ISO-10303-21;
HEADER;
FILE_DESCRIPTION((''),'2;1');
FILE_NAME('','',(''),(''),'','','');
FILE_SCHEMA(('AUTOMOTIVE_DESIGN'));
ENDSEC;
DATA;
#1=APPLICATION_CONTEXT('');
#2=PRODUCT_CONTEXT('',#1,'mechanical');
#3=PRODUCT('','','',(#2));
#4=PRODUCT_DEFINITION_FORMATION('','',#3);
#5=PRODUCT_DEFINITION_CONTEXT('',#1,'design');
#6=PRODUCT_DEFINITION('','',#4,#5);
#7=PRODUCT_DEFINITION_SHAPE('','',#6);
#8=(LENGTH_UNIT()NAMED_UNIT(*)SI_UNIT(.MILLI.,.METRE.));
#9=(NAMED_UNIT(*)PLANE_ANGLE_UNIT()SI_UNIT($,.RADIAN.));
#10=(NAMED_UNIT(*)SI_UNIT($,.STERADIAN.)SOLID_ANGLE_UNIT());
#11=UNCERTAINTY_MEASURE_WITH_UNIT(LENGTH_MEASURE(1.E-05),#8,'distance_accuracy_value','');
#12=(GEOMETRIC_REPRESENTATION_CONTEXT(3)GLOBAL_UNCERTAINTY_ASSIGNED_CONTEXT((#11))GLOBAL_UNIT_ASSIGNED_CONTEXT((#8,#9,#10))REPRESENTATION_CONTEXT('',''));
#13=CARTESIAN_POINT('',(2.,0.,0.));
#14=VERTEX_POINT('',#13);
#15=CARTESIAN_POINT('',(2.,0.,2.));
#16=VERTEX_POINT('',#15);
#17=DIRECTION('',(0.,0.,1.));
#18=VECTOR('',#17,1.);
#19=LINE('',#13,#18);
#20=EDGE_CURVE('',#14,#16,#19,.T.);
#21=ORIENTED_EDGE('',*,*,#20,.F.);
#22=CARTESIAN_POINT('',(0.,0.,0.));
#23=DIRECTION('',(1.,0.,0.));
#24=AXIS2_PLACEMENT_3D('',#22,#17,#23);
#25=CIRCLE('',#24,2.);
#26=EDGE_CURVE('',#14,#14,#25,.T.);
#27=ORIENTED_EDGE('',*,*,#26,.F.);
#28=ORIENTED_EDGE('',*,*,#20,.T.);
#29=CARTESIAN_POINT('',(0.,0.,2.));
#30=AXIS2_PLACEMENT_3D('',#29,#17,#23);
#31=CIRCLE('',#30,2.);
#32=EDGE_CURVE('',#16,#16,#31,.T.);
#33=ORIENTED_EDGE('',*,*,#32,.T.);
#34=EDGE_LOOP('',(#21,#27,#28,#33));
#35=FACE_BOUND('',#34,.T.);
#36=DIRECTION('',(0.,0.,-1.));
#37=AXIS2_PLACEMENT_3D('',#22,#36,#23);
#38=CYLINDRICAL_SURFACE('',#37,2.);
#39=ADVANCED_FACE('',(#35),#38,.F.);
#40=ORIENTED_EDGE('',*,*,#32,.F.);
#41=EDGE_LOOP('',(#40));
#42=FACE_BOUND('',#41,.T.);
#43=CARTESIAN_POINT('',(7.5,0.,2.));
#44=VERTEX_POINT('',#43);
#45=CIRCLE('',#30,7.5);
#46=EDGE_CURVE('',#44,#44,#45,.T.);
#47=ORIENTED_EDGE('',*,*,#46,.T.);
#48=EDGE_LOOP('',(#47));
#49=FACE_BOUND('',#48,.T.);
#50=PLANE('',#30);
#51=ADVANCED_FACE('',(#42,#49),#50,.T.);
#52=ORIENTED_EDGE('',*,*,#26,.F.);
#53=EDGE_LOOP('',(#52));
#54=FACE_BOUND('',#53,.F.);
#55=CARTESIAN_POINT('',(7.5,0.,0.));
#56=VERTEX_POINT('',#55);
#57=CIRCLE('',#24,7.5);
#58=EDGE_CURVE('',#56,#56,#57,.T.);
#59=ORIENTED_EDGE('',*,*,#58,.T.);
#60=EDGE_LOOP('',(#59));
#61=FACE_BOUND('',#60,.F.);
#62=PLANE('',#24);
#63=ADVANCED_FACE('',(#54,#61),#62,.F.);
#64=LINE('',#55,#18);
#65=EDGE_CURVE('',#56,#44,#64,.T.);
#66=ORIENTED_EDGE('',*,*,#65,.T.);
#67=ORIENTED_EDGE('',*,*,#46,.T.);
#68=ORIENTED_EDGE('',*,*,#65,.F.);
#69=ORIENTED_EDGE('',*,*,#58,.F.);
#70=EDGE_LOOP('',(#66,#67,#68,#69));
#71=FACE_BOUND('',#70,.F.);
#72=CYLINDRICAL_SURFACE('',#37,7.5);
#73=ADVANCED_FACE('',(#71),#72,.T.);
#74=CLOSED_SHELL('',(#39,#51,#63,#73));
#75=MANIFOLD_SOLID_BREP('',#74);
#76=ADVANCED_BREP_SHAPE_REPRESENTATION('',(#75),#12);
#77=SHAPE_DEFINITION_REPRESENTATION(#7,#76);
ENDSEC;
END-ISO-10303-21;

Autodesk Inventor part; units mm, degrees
ref_plane "YZ Plane" through (0, 0, 0) normal (1, 0, 0) x (0, 1, 0)
ref_plane "XZ Plane" through (0, 0, 0) normal (0, 1, 0) x (-1, 0, 0)
ref_plane "XY Plane" through (0, 0, 0) normal (0, 0, 1) x (1, 0, 0)
sketch "Эскиз1" plane through (0, 0, 0) normal (0, 0, 1) x (1, 0, 0)
  circle A0 centre (0, 0) radius 7.5
  circle A1 centre (0, 0) radius 2
  dimension "d0" = 15
  dimension "d1" = 4
extrude "Выдавливание1" add sketch "Эскиз1" along normal blind 2
properties part number "В. шарн - фиксатор"
